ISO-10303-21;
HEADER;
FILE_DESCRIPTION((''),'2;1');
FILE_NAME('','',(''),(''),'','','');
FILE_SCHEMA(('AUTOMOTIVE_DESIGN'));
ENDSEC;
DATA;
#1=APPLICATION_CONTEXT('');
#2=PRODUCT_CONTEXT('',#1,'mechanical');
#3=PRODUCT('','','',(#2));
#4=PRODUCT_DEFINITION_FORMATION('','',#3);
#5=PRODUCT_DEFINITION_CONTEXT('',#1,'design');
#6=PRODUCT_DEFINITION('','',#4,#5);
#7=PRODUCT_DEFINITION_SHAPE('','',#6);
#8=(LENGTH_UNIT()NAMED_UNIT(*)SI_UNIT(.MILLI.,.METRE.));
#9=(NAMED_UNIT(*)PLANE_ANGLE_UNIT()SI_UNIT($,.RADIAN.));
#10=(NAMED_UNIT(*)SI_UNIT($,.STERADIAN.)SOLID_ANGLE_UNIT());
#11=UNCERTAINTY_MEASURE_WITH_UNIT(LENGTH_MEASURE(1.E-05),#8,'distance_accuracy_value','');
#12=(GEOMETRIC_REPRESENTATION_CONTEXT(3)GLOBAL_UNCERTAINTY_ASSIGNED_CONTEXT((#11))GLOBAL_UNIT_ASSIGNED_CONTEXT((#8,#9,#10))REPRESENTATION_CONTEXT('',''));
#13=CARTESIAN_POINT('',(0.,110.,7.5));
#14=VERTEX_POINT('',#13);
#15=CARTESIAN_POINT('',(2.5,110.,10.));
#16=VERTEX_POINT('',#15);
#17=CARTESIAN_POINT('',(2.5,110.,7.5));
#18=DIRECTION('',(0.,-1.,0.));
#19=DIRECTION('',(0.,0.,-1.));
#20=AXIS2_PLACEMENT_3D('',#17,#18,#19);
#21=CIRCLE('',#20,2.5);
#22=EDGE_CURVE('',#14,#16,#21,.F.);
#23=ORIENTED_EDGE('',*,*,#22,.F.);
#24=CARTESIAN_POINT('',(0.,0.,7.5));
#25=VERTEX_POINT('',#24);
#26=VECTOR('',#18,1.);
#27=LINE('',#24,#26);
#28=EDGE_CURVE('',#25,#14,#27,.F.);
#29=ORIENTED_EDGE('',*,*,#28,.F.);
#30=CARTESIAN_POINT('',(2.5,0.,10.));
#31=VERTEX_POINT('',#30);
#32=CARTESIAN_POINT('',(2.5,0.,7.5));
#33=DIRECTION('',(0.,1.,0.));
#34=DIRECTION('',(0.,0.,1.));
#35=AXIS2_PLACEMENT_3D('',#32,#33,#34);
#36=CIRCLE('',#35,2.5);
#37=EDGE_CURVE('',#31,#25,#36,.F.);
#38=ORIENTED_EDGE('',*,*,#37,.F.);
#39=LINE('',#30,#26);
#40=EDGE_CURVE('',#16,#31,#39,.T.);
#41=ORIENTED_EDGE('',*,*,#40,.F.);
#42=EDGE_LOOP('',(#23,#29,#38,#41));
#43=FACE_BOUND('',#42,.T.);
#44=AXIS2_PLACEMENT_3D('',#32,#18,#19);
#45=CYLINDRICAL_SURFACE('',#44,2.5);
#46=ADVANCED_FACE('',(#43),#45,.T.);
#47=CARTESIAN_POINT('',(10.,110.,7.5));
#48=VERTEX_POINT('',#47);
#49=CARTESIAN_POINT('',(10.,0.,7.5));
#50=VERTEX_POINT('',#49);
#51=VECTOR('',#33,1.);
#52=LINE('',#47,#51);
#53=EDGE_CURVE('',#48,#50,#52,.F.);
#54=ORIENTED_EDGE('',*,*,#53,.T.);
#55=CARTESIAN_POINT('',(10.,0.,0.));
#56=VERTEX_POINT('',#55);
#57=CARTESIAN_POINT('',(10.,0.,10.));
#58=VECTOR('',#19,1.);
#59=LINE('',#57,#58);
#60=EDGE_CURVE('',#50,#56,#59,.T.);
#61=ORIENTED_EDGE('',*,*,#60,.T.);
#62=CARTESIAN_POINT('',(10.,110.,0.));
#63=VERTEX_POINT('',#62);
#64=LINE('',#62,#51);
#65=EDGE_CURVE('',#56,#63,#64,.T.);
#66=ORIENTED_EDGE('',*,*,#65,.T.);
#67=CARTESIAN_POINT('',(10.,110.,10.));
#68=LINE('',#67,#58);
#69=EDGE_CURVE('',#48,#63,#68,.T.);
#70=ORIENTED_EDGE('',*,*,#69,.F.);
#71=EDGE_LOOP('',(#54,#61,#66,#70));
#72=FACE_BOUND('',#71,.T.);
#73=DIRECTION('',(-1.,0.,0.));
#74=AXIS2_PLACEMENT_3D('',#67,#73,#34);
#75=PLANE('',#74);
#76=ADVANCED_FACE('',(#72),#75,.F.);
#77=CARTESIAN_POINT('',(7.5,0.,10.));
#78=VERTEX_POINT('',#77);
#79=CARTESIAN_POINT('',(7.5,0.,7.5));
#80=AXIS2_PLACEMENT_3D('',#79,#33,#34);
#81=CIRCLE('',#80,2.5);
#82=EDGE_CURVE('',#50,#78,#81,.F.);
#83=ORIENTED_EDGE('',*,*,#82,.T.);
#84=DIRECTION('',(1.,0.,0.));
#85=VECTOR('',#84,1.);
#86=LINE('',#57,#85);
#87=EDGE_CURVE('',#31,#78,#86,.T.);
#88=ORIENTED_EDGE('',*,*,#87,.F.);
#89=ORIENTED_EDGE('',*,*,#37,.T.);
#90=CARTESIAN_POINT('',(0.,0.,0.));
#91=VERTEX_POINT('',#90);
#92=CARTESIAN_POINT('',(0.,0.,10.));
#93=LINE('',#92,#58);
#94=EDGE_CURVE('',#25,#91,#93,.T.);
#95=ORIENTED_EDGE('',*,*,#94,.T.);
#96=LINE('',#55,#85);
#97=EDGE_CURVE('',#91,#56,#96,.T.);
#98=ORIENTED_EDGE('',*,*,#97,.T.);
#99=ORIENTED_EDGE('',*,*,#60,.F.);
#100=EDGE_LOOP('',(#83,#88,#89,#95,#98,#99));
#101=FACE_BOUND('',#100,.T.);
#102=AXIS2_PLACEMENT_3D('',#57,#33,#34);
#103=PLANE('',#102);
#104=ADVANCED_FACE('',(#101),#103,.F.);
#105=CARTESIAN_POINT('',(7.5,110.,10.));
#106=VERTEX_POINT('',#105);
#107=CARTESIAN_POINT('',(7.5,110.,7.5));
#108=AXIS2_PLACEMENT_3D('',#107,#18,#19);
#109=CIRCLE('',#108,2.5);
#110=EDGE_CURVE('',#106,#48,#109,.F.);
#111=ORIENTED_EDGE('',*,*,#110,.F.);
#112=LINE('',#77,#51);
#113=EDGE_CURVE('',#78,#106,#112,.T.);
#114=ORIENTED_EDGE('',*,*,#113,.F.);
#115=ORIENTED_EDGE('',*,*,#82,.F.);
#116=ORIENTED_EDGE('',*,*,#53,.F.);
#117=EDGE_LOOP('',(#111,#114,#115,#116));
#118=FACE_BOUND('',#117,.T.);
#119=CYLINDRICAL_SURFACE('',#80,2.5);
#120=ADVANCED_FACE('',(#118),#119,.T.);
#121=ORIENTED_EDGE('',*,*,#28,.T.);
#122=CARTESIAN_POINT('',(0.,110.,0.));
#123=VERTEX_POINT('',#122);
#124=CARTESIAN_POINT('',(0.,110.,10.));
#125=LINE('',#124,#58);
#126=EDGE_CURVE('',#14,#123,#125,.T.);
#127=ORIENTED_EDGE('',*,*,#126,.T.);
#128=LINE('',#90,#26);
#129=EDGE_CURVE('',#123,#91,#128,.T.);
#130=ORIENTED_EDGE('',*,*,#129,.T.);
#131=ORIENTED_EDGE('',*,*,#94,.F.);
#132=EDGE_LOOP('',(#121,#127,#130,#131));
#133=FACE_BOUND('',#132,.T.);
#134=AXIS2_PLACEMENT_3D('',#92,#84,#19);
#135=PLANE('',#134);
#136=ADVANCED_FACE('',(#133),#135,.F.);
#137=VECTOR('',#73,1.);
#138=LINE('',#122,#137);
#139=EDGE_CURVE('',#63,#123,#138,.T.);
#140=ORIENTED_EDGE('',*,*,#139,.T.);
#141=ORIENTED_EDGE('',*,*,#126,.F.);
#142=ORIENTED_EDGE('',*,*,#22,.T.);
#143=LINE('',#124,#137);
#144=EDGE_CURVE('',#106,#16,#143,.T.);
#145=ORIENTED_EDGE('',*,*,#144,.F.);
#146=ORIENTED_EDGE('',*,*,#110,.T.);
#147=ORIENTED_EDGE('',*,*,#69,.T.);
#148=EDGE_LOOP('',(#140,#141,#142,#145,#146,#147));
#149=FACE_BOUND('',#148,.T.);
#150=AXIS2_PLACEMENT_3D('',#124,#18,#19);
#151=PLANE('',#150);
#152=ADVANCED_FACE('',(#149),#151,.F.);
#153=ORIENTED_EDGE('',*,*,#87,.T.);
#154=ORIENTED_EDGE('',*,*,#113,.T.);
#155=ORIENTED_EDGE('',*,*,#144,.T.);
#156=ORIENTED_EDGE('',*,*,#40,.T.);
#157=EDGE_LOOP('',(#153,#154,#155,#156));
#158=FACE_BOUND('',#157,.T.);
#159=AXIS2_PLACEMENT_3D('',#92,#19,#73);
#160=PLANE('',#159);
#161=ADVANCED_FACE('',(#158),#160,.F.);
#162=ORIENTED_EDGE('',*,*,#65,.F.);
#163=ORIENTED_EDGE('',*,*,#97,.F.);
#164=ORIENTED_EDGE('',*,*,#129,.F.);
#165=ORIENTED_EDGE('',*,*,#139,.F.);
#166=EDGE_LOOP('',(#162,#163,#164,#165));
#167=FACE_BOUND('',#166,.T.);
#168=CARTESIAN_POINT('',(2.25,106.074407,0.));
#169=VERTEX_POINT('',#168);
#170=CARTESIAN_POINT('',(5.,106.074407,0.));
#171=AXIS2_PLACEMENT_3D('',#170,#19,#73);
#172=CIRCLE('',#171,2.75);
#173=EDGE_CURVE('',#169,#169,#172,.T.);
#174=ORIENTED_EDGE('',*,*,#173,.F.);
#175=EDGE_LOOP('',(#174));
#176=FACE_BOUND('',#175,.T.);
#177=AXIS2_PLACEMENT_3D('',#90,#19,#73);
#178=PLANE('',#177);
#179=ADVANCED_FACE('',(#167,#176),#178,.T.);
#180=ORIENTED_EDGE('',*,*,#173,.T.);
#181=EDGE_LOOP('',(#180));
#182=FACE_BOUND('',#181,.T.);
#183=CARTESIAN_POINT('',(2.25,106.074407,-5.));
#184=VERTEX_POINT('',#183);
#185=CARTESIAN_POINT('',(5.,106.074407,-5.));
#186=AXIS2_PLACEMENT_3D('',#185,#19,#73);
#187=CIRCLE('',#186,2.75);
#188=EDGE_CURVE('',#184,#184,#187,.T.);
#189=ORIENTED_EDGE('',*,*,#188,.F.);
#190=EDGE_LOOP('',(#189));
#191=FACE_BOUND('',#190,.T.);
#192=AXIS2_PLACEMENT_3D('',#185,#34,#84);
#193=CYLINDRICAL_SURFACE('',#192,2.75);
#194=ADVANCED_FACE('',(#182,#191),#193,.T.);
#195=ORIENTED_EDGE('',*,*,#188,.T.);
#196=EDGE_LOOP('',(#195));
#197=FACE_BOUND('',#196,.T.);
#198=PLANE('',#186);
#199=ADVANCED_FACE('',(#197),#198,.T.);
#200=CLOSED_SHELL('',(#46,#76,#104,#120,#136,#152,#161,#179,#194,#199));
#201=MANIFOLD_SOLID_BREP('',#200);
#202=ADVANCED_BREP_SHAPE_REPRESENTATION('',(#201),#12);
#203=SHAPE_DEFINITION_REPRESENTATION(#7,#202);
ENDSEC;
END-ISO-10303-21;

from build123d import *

# Parameters (mm, degrees)
SKETCH2_W           = 10
SKETCH2_H           = 110
BOSS_EXTRUDE1_DEPTH = 10
SKETCH3_R           = 2.75
BOSS_EXTRUDE2_DEPTH = 5
FILLET2_R           = 2.5


with BuildPart() as part:
    # Sketch2 → Boss-Extrude1 (new body)
    with BuildSketch(Plane.XY):
        with Locations((5, 55)):
            Rectangle(SKETCH2_W, SKETCH2_H)
    extrude(amount=BOSS_EXTRUDE1_DEPTH)

    # Sketch3 → Boss-Extrude2 (add)
    with BuildSketch(Plane(origin=(0, 0, 0), x_dir=(-1, 0, 0), z_dir=(0, 0, -1))):
        with Locations((-5, 106.074407224)):
            Circle(SKETCH3_R)
    extrude(amount=BOSS_EXTRUDE2_DEPTH)

    # Fillet2
    fillet2_edges = [part.edges().sort_by_distance(p)[0] for p in [
        (0, 55, 10),
        (10, 55, 10),
    ]]
    fillet(fillet2_edges, radius=FILLET2_R)


solid = part.part
